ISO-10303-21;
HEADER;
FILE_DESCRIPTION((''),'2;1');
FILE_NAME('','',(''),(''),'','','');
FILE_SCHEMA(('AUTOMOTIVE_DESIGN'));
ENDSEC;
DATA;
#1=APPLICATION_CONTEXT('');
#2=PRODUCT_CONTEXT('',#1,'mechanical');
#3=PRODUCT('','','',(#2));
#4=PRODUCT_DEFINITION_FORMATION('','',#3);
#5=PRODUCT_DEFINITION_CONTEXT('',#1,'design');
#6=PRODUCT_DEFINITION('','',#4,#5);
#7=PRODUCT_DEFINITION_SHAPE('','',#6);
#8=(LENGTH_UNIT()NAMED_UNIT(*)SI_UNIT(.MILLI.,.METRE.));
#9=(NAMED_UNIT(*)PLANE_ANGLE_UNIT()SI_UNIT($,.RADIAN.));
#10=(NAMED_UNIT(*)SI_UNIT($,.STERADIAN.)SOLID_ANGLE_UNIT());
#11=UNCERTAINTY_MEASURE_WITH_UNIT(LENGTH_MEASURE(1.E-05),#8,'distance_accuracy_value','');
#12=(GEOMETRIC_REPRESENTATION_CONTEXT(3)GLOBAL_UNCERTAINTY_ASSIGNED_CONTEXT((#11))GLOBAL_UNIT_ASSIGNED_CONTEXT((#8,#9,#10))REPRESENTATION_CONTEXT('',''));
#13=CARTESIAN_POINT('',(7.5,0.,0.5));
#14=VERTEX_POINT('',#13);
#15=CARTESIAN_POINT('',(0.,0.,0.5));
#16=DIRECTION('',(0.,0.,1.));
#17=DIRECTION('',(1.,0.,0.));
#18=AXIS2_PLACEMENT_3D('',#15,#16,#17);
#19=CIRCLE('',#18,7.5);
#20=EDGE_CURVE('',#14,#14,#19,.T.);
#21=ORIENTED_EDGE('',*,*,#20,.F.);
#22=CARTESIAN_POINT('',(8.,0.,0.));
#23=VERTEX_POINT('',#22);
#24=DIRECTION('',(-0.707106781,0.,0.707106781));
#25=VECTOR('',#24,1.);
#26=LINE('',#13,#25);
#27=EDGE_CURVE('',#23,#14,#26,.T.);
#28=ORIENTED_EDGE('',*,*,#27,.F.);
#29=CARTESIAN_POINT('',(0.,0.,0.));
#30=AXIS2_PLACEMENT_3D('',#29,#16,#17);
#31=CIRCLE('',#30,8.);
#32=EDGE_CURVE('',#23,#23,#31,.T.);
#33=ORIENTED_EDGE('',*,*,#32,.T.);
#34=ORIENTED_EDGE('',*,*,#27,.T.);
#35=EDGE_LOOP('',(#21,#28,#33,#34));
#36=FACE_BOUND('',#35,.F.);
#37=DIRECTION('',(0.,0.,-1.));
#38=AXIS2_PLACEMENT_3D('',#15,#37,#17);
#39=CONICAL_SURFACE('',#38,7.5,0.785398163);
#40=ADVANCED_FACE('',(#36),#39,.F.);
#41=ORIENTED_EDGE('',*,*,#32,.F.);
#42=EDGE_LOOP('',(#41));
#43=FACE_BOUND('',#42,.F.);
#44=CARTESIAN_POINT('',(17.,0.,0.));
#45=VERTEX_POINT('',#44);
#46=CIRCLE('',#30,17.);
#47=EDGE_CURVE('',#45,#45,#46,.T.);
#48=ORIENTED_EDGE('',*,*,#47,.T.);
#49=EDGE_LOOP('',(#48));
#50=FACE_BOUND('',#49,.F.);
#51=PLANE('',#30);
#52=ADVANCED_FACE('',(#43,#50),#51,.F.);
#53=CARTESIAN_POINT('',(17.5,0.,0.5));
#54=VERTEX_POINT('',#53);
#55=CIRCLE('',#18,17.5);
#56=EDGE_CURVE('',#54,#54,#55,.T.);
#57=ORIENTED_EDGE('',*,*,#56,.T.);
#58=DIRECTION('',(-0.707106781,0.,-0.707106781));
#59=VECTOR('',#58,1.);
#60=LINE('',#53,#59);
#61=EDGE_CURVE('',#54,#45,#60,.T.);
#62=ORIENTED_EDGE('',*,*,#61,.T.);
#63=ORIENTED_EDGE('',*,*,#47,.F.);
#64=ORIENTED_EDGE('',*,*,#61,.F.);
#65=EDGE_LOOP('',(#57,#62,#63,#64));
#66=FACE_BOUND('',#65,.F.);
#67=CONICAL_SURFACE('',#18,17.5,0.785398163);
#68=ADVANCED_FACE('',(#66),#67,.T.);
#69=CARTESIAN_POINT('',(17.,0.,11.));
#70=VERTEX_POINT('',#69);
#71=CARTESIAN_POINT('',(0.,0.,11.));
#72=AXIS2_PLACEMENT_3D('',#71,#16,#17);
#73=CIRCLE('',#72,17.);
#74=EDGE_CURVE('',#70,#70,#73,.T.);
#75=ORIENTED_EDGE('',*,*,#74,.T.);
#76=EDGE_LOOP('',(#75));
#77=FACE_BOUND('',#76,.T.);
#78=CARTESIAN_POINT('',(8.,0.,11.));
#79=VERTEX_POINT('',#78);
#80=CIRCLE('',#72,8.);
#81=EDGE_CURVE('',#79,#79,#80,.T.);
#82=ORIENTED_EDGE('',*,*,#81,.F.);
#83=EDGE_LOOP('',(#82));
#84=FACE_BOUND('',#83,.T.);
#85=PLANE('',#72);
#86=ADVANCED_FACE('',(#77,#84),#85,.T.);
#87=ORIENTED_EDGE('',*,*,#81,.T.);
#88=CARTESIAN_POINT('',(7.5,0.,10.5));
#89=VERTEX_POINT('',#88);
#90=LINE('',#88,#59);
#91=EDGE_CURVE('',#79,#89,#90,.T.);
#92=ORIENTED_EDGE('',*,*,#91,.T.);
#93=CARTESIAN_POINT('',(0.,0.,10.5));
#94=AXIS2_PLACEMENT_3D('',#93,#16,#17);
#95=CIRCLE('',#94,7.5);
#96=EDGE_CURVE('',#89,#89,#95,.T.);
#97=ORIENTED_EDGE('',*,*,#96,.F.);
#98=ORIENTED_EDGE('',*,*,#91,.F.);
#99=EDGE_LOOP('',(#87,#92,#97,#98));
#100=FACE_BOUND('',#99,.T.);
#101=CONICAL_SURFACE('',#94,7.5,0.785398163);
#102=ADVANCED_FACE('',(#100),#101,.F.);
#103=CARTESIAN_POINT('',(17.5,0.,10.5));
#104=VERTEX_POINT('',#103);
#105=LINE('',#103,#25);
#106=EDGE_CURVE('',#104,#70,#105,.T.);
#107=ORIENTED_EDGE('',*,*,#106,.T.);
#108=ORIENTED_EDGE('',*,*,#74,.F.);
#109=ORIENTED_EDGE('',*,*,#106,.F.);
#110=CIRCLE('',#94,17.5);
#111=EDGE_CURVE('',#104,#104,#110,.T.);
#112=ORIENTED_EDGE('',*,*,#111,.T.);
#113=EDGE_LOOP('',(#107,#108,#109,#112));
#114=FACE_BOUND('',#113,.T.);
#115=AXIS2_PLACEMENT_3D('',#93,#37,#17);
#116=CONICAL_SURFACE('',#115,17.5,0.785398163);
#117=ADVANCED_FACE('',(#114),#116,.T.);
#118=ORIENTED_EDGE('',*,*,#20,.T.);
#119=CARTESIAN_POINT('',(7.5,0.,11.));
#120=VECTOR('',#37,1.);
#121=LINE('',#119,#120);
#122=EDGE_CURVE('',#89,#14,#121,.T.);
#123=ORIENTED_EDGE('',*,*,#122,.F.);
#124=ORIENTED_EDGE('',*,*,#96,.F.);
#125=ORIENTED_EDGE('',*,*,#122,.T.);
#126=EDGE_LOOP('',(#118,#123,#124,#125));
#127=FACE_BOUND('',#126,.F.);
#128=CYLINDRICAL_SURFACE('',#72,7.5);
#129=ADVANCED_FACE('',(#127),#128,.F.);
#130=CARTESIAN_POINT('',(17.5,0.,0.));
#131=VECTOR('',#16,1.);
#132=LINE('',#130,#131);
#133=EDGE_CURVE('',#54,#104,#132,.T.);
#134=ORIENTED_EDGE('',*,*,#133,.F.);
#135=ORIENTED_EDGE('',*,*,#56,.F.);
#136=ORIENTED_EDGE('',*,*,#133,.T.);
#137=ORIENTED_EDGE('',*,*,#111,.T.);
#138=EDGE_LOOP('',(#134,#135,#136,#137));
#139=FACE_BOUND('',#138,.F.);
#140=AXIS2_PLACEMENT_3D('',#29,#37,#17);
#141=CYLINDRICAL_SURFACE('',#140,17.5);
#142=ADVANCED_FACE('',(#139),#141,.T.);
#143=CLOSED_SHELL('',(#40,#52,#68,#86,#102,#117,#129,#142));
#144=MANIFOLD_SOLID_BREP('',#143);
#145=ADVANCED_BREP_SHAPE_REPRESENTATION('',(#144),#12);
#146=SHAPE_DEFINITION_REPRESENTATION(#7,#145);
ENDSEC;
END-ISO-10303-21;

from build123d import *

# Parameters (mm, degrees)
F0_R     = 17.5
F1_DEPTH = 11
F2_SIZE  = 0.5
F3_R     = 7.5
F4_DEPTH = 40.7
F5_SIZE  = 0.5


with BuildPart() as f1:
    # F0 (on Top) → F1 (new body)
    with BuildSketch(Plane.XY):
        Circle(F0_R)
    extrude(amount=F1_DEPTH)

    # F2
    f2_edges = [f1.edges().sort_by_distance(p)[0] for p in [
        (-17.5, 0, 11),
        (-17.5, 0, 0),
    ]]
    chamfer(f2_edges, length=F2_SIZE)

    # F3 (on face) → F4 (cut)
    with BuildSketch(Plane.XY.offset(11)):
        Circle(F3_R)
    extrude(amount=-F4_DEPTH, mode=Mode.SUBTRACT)

    # F5
    f5_edges = [f1.edges().sort_by_distance(p)[0] for p in [
        (-7.5, 0, 11),
        (-7.5, 0, 0),
    ]]
    chamfer(f5_edges, length=F5_SIZE)


solid = f1.part
